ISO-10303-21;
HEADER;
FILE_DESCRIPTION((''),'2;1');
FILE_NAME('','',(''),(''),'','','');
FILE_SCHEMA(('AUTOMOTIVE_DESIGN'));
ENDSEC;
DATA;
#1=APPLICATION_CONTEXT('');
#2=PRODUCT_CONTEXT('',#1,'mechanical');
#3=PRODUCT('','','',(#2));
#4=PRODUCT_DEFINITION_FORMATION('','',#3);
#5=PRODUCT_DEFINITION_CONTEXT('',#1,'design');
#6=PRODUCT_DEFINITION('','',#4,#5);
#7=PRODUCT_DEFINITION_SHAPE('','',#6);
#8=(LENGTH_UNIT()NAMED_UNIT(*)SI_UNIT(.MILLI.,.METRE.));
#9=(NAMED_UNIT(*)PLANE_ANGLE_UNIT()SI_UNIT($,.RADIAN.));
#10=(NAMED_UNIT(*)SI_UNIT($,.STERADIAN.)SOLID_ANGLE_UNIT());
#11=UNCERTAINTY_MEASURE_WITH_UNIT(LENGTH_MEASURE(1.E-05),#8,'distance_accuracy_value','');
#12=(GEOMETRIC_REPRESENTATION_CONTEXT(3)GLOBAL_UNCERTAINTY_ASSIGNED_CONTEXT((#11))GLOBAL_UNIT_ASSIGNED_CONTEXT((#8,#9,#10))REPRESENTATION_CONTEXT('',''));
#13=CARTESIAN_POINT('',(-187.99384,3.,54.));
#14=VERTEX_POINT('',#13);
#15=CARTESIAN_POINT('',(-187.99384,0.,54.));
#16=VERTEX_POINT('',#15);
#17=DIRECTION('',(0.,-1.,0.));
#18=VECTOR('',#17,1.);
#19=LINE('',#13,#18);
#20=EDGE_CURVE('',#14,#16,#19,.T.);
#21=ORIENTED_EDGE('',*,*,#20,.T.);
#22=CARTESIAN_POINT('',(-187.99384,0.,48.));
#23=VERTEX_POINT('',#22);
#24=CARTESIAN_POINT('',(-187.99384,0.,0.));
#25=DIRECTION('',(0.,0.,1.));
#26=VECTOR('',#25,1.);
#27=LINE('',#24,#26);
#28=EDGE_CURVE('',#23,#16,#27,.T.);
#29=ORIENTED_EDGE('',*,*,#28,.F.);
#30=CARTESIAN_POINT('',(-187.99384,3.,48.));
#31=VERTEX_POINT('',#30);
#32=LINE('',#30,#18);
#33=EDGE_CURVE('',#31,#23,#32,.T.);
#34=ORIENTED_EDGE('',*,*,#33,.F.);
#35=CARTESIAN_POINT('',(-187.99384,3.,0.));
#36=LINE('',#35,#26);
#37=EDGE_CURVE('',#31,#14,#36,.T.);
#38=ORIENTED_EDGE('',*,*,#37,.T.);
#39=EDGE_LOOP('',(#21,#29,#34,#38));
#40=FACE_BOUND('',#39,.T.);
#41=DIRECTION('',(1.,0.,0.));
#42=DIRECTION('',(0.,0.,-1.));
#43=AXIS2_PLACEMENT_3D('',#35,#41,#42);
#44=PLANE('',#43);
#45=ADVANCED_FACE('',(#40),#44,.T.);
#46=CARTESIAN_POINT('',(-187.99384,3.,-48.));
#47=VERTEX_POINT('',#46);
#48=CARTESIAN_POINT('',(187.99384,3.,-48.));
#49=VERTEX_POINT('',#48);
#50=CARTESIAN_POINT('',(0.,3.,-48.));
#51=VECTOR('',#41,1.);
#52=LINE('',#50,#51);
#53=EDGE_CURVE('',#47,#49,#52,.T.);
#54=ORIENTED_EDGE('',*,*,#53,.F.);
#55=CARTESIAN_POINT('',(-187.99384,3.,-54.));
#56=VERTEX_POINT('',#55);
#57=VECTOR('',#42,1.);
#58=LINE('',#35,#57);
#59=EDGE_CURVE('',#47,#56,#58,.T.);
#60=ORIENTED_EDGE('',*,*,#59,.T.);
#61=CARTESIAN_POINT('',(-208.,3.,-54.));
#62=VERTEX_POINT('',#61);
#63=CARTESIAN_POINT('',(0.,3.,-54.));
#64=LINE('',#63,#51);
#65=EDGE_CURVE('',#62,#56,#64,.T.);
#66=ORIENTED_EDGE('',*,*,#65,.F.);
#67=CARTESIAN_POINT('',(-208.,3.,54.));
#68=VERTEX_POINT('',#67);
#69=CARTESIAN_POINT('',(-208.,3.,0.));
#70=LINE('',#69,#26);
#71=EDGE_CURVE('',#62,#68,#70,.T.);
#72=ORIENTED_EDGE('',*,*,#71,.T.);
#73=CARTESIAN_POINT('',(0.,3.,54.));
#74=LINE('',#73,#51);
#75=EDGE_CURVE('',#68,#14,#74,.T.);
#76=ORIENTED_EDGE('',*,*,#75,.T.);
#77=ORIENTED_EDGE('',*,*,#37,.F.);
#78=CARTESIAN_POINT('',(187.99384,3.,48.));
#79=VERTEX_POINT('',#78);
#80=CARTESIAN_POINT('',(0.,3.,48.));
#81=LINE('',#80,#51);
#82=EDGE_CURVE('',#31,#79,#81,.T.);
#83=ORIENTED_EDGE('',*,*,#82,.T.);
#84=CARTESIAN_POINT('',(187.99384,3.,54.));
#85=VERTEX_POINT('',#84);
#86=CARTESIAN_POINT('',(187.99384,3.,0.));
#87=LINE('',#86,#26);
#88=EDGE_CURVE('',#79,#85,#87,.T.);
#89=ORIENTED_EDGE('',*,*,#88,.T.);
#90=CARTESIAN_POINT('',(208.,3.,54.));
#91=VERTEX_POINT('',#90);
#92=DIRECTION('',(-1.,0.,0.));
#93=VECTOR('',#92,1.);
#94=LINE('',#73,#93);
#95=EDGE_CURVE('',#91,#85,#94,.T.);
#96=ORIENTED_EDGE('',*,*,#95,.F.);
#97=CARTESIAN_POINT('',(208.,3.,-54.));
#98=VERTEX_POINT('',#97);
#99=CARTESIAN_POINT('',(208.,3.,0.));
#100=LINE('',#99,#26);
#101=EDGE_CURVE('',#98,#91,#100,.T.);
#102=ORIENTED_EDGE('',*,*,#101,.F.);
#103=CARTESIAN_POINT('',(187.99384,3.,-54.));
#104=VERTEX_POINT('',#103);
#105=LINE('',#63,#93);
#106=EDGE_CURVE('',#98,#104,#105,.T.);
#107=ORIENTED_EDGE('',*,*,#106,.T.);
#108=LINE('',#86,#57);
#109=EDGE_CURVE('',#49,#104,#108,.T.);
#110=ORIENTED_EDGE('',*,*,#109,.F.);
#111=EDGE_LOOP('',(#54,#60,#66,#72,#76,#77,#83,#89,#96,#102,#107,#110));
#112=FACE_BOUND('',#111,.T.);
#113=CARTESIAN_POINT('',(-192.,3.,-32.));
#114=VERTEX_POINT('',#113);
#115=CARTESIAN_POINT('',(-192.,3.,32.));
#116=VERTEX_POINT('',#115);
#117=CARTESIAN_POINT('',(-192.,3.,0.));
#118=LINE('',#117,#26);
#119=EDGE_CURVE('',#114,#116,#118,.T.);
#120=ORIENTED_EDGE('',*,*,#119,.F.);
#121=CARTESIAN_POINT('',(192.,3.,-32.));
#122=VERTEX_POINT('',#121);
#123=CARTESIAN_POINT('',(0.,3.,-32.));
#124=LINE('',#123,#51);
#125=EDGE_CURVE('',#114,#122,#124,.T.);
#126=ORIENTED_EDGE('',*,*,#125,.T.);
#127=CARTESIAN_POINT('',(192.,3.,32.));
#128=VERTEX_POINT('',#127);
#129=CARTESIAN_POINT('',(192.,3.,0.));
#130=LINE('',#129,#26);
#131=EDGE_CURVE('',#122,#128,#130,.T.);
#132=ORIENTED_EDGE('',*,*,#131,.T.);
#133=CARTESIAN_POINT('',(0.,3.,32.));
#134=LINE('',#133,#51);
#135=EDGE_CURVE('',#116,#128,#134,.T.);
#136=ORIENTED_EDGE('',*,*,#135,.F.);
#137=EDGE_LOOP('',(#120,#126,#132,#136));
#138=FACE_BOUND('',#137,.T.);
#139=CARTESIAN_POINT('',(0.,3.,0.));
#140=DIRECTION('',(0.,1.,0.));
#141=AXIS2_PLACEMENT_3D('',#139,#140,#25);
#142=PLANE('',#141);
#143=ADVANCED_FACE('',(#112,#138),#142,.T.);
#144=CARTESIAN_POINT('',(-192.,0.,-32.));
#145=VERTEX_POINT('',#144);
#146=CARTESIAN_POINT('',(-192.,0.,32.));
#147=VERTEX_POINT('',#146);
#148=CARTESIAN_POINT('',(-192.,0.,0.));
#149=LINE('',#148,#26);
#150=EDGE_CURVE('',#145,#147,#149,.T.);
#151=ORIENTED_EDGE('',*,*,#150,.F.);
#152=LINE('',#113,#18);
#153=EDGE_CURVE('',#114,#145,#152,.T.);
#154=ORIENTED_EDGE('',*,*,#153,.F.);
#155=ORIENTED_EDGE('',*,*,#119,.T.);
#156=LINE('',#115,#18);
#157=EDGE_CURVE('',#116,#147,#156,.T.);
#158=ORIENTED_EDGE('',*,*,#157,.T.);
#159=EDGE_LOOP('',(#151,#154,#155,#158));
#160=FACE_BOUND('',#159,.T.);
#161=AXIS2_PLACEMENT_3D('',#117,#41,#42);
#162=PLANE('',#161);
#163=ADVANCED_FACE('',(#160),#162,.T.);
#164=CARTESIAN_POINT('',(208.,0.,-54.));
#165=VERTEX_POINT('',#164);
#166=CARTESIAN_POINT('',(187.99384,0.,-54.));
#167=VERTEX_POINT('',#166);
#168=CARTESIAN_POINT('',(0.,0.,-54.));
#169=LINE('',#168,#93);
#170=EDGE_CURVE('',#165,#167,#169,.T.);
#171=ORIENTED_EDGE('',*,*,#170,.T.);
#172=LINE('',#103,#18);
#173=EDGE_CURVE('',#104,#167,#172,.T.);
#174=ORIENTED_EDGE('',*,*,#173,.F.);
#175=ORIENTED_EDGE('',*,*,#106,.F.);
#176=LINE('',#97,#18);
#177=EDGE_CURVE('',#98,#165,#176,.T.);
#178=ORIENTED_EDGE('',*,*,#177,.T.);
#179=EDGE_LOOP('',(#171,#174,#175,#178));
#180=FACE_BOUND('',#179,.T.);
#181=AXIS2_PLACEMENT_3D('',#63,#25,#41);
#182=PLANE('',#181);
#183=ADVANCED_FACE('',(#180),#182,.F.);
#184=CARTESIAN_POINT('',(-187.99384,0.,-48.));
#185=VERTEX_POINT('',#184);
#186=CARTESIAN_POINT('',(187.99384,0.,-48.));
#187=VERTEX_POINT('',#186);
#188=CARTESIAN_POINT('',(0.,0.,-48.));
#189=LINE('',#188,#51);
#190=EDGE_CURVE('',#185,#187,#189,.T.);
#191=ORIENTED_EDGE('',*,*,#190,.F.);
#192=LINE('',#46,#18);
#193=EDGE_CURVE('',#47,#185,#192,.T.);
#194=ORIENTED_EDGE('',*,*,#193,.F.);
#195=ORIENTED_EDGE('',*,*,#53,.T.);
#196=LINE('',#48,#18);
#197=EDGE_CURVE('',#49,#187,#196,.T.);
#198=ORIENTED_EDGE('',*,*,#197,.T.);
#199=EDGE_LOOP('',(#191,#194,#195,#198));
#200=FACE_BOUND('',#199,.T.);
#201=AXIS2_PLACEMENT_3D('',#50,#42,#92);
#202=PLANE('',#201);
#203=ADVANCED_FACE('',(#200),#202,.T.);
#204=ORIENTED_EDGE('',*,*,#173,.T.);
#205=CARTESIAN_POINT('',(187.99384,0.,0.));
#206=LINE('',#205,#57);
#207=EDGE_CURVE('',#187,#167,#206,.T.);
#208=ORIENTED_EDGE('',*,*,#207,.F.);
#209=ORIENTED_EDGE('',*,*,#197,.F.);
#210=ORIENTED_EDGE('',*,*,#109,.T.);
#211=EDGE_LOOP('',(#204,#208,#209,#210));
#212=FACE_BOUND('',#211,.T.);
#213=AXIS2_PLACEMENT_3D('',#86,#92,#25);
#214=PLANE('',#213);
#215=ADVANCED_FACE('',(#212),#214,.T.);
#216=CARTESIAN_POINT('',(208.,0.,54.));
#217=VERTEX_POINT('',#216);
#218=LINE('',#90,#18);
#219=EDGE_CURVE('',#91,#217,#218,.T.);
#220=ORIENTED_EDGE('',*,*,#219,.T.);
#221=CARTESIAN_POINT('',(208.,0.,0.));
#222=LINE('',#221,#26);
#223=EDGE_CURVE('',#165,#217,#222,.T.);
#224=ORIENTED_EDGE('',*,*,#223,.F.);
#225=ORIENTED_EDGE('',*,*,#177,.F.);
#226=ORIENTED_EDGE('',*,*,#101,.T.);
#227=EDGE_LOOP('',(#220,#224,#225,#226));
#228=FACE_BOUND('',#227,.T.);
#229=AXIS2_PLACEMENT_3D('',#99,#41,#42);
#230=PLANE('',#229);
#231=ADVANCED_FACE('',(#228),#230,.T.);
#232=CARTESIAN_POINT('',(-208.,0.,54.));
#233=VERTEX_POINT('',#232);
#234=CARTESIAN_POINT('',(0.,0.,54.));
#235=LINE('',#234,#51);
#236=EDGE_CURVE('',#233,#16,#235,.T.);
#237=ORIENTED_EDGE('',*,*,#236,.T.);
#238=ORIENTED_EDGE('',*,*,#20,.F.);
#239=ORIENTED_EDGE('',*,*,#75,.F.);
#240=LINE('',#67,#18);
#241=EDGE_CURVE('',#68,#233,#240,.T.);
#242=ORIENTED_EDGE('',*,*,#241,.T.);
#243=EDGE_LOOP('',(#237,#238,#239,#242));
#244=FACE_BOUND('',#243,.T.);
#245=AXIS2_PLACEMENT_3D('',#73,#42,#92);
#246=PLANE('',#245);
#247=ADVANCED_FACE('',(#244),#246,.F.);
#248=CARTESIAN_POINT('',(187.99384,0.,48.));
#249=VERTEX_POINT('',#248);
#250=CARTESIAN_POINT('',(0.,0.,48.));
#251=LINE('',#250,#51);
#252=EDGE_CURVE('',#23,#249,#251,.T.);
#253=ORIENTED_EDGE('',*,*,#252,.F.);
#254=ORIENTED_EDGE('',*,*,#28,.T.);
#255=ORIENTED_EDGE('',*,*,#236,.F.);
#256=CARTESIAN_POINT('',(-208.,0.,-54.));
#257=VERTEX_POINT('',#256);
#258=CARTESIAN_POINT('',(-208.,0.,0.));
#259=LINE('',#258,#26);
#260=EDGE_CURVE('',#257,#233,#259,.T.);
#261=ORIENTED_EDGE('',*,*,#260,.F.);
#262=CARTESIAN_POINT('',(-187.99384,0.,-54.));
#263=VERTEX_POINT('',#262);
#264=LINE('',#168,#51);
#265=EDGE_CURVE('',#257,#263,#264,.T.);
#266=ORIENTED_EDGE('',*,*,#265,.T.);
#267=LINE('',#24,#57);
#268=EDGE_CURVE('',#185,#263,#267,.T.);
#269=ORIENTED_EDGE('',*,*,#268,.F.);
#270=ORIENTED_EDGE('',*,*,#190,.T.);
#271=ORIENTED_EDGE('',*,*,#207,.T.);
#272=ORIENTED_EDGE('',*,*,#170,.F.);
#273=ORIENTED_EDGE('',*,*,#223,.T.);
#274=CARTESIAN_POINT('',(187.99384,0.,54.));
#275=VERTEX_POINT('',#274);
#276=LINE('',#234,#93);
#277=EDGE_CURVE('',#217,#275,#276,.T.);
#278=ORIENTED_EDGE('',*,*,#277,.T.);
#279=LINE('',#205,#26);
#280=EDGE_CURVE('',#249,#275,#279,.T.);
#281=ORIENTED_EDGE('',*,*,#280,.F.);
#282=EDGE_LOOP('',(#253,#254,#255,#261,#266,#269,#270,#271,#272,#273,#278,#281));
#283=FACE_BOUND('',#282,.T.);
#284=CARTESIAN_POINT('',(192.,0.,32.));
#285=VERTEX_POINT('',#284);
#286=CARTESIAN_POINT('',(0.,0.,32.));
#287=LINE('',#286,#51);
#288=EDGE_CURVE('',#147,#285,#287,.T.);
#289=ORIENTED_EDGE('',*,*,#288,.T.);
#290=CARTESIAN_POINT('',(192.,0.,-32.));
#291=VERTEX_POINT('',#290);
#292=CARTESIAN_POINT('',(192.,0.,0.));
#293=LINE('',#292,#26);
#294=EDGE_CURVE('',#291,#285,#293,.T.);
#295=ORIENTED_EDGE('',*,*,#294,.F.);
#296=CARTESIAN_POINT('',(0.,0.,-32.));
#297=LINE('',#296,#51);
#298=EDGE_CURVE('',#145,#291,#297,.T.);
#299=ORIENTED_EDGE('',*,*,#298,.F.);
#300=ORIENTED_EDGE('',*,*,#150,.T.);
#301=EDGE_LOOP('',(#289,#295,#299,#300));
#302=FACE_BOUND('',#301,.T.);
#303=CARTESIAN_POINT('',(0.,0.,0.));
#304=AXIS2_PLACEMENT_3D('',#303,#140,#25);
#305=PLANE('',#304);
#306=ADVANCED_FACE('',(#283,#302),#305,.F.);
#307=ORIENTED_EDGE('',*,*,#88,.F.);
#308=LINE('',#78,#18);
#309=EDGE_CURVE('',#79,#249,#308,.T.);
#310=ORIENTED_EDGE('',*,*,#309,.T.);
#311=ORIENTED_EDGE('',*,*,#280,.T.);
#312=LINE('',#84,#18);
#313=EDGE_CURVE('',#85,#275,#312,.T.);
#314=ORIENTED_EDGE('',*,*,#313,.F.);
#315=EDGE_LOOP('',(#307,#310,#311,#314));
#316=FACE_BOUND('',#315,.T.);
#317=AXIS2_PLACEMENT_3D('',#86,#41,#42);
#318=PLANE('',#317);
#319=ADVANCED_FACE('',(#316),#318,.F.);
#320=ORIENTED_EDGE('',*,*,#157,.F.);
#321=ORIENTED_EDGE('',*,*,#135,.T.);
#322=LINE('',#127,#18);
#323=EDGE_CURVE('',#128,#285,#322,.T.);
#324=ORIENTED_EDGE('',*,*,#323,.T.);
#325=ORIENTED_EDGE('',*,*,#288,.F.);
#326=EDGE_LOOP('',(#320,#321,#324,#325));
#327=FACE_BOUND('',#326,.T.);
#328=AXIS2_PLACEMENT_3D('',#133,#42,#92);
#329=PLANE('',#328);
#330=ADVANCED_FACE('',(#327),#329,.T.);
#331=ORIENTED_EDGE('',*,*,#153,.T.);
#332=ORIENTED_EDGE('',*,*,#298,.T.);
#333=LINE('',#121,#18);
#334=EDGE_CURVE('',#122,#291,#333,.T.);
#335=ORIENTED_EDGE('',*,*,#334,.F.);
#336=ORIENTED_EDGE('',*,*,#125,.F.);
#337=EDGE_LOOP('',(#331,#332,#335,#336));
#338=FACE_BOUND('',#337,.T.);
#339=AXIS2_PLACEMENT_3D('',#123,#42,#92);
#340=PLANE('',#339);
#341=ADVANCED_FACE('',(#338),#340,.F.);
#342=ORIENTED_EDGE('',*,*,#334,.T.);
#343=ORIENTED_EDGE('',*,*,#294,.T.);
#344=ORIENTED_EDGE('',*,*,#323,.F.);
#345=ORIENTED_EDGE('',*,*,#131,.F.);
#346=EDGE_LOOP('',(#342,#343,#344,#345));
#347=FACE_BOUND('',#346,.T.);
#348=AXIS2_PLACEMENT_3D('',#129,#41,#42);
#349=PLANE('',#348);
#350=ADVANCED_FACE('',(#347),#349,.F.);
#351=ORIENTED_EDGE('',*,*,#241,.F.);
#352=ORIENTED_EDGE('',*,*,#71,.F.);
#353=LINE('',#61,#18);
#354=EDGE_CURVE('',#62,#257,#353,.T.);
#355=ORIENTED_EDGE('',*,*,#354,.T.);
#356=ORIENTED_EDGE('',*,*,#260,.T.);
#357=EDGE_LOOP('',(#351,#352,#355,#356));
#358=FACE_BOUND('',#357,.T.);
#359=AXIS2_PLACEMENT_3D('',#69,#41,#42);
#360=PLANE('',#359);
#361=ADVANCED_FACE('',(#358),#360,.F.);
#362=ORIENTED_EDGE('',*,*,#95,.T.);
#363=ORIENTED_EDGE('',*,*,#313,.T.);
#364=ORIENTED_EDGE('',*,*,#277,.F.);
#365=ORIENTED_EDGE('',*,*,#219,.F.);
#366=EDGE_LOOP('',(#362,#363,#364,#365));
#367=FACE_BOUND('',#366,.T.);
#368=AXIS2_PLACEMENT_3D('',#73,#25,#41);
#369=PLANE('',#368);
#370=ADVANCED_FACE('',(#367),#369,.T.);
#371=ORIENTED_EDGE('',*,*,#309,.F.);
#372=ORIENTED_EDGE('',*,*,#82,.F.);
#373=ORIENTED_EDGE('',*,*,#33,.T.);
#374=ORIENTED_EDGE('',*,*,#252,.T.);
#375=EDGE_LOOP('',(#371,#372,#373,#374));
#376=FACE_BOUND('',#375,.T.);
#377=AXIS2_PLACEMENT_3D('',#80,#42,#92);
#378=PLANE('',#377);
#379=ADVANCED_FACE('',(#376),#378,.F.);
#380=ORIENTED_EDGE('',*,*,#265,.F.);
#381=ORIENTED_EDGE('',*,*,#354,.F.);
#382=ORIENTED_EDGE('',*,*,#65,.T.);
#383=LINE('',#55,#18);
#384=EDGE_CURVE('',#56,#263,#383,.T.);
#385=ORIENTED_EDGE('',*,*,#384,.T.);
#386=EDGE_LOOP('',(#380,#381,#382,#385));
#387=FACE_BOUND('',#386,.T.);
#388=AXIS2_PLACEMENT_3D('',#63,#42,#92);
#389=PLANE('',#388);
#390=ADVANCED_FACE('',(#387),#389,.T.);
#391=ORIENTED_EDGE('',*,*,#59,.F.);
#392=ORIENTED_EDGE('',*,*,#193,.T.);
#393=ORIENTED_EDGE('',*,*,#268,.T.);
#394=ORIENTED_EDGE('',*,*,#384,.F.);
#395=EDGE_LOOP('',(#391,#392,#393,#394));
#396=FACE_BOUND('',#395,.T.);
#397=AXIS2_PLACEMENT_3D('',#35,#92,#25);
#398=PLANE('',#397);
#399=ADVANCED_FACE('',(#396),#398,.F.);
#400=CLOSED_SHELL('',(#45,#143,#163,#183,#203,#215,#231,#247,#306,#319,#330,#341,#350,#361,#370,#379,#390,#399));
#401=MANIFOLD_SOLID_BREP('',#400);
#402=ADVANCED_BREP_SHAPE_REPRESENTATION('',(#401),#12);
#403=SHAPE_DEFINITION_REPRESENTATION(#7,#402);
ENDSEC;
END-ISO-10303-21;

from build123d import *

# Parameters (mm, degrees)
CROQUIS1_W              = 416
CROQUIS1_H              = 96
CROQUIS1_W_2            = 384
CROQUIS1_H_2            = 64
CROQUIS1_W_3            = 20.00615983
CROQUIS1_H_3            = 6
SALIENTE_EXTRUIR1_DEPTH = 3


with BuildPart() as part:
    # Croquis1 → Saliente-Extruir1 (new body)
    with BuildSketch(Plane(origin=(0, 0, 0), x_dir=(1, 0, 0), z_dir=(0, 1, 0))):
        Rectangle(CROQUIS1_W, CROQUIS1_H)
        Rectangle(CROQUIS1_W_2, CROQUIS1_H_2, mode=Mode.SUBTRACT)
        with Locations((197.996920085, -51)):
            Rectangle(CROQUIS1_W_3, CROQUIS1_H_3)
        with Locations((197.996920085, 51)):
            Rectangle(CROQUIS1_W_3, CROQUIS1_H_3)
        with Locations((-197.996920085, 51)):
            Rectangle(CROQUIS1_W_3, CROQUIS1_H_3)
        with Locations((-197.996920085, -51)):
            Rectangle(CROQUIS1_W_3, CROQUIS1_H_3)
    extrude(amount=SALIENTE_EXTRUIR1_DEPTH)


solid = part.part
